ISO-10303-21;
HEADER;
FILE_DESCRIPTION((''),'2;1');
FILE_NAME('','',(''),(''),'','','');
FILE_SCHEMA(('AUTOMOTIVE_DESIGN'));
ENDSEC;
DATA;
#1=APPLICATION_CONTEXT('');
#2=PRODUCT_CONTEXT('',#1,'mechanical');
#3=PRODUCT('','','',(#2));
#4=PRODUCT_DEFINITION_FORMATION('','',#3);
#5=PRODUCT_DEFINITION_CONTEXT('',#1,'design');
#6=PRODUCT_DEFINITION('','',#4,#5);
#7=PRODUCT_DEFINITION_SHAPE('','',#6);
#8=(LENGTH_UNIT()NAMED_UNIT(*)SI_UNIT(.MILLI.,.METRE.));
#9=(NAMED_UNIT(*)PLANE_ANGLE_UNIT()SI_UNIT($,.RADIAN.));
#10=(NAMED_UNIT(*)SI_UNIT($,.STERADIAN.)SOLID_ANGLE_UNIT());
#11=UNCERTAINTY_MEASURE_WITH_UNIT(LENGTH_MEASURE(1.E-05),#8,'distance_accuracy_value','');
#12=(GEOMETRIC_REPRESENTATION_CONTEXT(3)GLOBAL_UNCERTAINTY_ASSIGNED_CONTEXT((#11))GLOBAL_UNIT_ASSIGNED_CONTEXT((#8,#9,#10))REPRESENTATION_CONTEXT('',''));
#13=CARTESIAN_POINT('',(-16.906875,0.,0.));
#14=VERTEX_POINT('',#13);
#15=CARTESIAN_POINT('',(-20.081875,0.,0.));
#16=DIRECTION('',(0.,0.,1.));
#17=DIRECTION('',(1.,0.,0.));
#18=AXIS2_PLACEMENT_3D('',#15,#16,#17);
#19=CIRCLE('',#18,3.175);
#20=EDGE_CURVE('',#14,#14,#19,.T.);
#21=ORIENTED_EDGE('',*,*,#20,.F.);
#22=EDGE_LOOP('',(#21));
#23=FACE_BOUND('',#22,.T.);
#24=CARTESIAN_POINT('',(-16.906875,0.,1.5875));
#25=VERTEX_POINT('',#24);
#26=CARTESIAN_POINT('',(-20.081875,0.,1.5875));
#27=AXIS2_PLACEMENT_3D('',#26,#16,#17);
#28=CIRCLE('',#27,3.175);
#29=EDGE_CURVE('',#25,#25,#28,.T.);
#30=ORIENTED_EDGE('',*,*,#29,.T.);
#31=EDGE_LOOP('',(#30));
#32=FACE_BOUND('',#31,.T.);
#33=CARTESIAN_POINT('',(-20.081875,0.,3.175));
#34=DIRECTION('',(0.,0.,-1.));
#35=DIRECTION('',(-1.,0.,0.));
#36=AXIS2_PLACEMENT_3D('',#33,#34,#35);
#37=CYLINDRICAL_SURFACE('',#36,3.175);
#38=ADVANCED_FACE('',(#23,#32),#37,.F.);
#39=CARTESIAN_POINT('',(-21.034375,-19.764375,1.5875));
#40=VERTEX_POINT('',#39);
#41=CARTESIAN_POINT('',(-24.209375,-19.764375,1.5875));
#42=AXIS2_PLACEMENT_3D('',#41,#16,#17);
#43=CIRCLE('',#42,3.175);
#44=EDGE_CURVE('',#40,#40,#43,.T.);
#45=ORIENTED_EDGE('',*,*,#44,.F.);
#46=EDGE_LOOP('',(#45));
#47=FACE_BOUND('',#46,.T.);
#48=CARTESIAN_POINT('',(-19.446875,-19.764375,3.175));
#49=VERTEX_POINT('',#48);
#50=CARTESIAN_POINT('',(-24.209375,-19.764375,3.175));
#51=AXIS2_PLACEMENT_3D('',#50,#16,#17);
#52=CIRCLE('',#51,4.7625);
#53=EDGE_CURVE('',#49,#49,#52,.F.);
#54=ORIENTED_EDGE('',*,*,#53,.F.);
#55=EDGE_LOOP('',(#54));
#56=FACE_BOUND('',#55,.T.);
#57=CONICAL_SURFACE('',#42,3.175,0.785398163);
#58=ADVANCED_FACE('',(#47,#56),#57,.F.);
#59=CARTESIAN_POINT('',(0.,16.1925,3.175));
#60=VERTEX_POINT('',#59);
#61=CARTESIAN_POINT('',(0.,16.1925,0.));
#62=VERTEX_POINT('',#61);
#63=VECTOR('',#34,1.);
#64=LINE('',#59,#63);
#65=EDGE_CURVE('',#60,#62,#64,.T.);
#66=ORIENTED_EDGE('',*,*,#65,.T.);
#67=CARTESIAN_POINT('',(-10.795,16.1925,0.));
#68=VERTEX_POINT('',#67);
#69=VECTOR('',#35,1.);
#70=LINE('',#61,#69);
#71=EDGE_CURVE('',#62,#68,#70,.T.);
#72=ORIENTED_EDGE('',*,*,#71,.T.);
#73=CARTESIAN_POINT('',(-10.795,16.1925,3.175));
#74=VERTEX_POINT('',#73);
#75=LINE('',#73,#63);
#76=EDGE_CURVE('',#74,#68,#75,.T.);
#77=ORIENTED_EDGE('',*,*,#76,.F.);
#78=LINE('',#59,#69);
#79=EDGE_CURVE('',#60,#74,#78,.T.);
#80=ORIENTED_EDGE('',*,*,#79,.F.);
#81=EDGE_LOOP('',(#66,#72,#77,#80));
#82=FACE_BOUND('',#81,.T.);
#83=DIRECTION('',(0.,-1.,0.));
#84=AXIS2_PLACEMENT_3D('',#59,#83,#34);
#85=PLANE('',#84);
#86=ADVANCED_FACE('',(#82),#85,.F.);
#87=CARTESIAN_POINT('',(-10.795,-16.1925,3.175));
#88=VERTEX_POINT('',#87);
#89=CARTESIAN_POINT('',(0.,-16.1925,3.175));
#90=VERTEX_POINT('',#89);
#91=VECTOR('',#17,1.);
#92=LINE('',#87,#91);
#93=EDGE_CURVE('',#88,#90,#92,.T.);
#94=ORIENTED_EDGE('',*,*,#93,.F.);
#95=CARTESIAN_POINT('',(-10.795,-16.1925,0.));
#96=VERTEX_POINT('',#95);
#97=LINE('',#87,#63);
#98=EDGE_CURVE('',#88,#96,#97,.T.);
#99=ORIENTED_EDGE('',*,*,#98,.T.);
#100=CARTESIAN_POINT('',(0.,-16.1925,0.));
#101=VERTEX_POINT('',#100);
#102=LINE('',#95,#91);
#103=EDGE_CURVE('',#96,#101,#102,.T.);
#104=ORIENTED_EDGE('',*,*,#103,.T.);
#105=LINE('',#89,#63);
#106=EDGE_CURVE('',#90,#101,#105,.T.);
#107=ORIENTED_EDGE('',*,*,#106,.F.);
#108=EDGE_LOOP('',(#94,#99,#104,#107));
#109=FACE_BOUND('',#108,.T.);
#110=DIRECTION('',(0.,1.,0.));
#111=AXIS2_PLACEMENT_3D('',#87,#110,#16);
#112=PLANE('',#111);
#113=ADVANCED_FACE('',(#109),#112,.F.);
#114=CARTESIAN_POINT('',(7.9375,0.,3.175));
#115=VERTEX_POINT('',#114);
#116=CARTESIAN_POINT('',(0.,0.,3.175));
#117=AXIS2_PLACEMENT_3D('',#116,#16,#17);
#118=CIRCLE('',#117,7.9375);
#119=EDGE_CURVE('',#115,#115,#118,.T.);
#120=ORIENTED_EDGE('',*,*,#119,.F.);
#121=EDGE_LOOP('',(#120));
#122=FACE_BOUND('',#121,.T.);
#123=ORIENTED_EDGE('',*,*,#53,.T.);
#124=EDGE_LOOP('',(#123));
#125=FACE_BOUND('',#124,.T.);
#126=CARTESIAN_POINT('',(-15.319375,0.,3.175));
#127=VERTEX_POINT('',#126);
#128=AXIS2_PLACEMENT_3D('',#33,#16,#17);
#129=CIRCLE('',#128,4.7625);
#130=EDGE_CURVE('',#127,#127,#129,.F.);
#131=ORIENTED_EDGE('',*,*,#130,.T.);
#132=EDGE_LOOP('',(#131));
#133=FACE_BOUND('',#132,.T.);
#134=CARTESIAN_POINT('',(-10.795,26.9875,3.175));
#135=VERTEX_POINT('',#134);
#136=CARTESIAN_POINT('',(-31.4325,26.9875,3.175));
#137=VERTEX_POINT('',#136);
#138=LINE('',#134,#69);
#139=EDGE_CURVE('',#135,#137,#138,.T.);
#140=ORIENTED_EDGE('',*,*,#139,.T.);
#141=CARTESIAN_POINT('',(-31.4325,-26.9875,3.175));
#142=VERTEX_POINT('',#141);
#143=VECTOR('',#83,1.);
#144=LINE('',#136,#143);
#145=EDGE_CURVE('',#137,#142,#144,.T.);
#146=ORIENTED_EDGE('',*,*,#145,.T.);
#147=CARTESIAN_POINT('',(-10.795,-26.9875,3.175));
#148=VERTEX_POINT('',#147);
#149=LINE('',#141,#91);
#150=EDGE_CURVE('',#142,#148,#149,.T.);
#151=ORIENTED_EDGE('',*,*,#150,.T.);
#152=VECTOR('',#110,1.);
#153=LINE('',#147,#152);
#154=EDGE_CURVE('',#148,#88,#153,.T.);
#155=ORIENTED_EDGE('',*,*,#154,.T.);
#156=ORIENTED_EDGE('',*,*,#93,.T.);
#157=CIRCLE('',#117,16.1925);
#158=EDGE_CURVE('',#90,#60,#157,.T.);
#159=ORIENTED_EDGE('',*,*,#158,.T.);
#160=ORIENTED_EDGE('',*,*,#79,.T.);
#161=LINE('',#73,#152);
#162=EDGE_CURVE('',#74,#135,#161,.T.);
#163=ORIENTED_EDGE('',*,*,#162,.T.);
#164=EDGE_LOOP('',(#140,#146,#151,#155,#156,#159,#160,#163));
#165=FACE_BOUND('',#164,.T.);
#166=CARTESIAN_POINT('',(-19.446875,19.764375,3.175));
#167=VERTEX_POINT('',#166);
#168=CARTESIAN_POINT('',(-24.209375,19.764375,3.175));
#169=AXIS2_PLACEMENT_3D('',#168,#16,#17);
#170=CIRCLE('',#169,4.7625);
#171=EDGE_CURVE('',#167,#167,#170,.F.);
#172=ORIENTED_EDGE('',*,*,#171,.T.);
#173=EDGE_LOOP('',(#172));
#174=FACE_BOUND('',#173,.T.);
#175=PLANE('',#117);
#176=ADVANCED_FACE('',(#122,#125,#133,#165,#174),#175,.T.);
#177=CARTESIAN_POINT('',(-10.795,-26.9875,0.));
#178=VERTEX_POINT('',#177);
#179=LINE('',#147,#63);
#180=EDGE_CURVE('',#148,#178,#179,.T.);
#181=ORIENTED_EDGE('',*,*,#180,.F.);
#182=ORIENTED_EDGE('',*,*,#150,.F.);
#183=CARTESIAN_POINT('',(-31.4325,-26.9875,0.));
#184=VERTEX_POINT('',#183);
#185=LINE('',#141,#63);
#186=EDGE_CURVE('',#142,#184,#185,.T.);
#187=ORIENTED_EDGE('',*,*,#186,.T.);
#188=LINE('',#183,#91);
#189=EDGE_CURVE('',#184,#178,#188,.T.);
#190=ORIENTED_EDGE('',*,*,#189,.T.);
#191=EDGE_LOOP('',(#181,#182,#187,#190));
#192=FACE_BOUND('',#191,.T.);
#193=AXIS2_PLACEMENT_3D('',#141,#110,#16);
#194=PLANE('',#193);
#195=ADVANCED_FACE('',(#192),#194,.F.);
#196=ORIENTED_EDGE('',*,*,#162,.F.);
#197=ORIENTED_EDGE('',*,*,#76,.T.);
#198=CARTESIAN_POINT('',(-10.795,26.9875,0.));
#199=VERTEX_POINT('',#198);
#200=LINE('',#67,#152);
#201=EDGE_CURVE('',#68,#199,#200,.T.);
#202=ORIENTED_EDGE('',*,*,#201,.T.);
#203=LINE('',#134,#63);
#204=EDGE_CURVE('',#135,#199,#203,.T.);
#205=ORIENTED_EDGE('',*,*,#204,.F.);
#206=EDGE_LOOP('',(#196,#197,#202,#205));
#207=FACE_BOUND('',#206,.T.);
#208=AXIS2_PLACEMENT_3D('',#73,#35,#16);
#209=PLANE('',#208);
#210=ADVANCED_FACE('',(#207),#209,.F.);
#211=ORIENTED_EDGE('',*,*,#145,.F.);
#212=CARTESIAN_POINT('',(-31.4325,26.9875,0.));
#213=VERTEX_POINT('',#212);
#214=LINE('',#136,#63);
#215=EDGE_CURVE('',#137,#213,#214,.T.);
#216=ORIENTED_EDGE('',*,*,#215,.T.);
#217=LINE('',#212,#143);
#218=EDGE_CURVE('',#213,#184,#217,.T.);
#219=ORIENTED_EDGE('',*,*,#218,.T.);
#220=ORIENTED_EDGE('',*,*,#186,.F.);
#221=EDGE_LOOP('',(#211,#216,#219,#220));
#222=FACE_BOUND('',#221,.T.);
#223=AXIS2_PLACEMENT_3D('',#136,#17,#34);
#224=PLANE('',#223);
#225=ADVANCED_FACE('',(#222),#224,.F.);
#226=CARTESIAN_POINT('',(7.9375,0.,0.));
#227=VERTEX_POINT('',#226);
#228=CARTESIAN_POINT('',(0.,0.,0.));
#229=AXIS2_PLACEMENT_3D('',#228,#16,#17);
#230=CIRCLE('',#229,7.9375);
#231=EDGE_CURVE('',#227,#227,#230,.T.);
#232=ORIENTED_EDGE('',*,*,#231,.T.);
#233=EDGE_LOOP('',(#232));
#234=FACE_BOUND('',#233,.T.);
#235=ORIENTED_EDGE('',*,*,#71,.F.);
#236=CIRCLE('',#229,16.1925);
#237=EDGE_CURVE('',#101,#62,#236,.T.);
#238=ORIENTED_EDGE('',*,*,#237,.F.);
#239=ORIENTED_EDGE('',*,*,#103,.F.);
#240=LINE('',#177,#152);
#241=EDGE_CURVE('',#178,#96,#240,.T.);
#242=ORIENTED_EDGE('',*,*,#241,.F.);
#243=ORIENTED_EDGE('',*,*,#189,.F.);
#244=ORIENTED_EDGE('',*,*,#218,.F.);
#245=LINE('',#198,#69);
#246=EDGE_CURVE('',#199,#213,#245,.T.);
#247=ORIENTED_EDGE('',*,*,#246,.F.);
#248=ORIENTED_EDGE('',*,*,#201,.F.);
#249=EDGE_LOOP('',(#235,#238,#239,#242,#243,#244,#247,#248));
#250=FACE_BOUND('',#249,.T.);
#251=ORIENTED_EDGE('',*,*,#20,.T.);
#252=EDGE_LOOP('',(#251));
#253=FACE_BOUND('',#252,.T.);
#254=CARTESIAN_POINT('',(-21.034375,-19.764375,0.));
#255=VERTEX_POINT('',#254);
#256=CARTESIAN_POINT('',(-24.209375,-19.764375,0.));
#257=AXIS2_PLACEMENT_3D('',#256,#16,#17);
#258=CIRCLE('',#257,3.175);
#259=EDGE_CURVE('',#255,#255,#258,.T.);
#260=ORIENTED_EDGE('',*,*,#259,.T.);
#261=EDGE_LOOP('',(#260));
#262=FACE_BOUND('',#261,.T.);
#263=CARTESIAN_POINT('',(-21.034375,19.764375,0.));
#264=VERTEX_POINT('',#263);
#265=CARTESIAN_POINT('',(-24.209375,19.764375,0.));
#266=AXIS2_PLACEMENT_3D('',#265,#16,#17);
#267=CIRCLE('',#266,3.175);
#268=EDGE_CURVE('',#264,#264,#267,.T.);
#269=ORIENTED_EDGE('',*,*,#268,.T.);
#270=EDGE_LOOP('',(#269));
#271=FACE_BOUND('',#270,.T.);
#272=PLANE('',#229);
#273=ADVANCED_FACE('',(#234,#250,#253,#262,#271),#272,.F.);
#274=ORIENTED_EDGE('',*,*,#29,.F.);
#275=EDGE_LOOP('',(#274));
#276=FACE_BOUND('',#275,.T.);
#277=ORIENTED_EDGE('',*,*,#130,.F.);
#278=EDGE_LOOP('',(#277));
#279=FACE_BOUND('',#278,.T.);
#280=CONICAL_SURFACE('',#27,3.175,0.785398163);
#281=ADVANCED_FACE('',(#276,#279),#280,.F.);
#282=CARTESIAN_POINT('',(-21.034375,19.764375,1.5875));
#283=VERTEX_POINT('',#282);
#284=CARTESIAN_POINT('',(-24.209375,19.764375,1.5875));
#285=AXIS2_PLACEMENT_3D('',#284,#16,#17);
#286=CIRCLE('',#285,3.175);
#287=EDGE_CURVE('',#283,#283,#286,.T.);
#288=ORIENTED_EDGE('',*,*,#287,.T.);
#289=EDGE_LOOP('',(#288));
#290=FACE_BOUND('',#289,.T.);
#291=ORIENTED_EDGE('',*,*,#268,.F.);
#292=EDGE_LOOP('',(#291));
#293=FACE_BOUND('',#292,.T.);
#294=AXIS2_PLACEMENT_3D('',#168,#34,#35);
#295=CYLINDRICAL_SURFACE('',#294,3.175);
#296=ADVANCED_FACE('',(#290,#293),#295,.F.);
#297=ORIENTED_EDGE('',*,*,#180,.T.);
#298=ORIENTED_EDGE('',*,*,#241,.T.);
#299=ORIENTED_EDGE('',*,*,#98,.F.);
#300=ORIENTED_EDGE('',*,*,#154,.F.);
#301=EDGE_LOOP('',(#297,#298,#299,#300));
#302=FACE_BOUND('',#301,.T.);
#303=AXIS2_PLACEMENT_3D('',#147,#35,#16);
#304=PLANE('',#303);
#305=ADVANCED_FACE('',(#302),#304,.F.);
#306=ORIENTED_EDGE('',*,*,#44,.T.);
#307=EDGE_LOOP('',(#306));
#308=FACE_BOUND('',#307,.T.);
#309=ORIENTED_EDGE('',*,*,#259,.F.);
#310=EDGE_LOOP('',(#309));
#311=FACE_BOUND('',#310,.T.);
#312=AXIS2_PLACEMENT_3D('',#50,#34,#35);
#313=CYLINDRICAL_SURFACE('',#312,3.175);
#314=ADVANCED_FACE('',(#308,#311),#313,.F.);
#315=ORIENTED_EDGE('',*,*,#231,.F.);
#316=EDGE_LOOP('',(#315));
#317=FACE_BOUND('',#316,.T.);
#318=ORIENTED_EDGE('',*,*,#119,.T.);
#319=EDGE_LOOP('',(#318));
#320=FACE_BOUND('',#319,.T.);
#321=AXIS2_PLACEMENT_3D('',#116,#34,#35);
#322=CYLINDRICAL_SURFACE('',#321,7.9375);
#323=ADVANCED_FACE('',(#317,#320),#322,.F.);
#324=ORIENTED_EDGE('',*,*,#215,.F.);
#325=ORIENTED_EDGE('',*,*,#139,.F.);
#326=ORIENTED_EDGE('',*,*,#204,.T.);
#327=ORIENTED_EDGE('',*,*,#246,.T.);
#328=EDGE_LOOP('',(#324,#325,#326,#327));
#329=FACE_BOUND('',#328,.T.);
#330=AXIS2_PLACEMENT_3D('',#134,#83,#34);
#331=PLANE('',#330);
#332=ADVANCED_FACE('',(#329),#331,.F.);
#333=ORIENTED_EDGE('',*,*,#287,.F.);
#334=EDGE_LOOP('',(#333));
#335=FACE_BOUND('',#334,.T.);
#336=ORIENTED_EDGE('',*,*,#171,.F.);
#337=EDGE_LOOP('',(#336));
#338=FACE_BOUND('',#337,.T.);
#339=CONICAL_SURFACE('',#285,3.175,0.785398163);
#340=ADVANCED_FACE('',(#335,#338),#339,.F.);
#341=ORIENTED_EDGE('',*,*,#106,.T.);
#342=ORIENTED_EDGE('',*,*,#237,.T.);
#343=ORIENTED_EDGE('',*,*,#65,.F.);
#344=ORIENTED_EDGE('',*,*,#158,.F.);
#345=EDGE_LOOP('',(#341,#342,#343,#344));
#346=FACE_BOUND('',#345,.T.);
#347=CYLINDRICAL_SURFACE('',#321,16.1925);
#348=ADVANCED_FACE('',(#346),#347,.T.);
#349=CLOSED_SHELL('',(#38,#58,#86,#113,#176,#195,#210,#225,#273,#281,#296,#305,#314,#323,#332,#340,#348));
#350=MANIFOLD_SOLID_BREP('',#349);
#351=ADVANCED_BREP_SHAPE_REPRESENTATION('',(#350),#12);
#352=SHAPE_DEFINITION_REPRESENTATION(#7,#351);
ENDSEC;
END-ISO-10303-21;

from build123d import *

# Parameters (mm, degrees)
SKETCH1_R           = 7.9375
SKETCH1_R_2         = 3.175
BOSS_EXTRUDE1_DEPTH = 3.175
CHAMFER1_SIZE       = 1.5875


with BuildPart() as part:
    # Sketch1 → Boss-Extrude1 (new body)
    with BuildSketch(Plane.XY):
        with BuildLine():
            Line((0, 16.1925), (-10.795, 16.1925))
            Line((-10.795, 16.1925), (-10.795, 26.9875))
            Line((-10.795, 26.9875), (-31.4325, 26.9875))
            Line((-31.4325, 26.9875), (-31.4325, -26.9875))
            Line((-31.4325, -26.9875), (-10.795, -26.9875))
            Line((-10.795, -26.9875), (-10.795, -16.1925))
            Line((-10.795, -16.1925), (0, -16.1925))
            ThreePointArc((0, -16.1925), (16.1925, 0), (0, 16.1925))
        make_face()
        Circle(SKETCH1_R, mode=Mode.SUBTRACT)
        with Locations((-24.209375, 19.764375)):
            Circle(SKETCH1_R_2, mode=Mode.SUBTRACT)
        with Locations((-20.081875, 0)):
            Circle(SKETCH1_R_2, mode=Mode.SUBTRACT)
        with Locations((-24.209375, -19.764375)):
            Circle(SKETCH1_R_2, mode=Mode.SUBTRACT)
    extrude(amount=BOSS_EXTRUDE1_DEPTH)

    # Chamfer1
    chamfer1_edges = [part.edges().sort_by_distance(p)[0] for p in [
        (-27.384375, 19.764375, 3.175),
        (-23.256875, 0, 3.175),
        (-27.384375, -19.764375, 3.175),
    ]]
    chamfer(chamfer1_edges, length=CHAMFER1_SIZE)


solid = part.part
